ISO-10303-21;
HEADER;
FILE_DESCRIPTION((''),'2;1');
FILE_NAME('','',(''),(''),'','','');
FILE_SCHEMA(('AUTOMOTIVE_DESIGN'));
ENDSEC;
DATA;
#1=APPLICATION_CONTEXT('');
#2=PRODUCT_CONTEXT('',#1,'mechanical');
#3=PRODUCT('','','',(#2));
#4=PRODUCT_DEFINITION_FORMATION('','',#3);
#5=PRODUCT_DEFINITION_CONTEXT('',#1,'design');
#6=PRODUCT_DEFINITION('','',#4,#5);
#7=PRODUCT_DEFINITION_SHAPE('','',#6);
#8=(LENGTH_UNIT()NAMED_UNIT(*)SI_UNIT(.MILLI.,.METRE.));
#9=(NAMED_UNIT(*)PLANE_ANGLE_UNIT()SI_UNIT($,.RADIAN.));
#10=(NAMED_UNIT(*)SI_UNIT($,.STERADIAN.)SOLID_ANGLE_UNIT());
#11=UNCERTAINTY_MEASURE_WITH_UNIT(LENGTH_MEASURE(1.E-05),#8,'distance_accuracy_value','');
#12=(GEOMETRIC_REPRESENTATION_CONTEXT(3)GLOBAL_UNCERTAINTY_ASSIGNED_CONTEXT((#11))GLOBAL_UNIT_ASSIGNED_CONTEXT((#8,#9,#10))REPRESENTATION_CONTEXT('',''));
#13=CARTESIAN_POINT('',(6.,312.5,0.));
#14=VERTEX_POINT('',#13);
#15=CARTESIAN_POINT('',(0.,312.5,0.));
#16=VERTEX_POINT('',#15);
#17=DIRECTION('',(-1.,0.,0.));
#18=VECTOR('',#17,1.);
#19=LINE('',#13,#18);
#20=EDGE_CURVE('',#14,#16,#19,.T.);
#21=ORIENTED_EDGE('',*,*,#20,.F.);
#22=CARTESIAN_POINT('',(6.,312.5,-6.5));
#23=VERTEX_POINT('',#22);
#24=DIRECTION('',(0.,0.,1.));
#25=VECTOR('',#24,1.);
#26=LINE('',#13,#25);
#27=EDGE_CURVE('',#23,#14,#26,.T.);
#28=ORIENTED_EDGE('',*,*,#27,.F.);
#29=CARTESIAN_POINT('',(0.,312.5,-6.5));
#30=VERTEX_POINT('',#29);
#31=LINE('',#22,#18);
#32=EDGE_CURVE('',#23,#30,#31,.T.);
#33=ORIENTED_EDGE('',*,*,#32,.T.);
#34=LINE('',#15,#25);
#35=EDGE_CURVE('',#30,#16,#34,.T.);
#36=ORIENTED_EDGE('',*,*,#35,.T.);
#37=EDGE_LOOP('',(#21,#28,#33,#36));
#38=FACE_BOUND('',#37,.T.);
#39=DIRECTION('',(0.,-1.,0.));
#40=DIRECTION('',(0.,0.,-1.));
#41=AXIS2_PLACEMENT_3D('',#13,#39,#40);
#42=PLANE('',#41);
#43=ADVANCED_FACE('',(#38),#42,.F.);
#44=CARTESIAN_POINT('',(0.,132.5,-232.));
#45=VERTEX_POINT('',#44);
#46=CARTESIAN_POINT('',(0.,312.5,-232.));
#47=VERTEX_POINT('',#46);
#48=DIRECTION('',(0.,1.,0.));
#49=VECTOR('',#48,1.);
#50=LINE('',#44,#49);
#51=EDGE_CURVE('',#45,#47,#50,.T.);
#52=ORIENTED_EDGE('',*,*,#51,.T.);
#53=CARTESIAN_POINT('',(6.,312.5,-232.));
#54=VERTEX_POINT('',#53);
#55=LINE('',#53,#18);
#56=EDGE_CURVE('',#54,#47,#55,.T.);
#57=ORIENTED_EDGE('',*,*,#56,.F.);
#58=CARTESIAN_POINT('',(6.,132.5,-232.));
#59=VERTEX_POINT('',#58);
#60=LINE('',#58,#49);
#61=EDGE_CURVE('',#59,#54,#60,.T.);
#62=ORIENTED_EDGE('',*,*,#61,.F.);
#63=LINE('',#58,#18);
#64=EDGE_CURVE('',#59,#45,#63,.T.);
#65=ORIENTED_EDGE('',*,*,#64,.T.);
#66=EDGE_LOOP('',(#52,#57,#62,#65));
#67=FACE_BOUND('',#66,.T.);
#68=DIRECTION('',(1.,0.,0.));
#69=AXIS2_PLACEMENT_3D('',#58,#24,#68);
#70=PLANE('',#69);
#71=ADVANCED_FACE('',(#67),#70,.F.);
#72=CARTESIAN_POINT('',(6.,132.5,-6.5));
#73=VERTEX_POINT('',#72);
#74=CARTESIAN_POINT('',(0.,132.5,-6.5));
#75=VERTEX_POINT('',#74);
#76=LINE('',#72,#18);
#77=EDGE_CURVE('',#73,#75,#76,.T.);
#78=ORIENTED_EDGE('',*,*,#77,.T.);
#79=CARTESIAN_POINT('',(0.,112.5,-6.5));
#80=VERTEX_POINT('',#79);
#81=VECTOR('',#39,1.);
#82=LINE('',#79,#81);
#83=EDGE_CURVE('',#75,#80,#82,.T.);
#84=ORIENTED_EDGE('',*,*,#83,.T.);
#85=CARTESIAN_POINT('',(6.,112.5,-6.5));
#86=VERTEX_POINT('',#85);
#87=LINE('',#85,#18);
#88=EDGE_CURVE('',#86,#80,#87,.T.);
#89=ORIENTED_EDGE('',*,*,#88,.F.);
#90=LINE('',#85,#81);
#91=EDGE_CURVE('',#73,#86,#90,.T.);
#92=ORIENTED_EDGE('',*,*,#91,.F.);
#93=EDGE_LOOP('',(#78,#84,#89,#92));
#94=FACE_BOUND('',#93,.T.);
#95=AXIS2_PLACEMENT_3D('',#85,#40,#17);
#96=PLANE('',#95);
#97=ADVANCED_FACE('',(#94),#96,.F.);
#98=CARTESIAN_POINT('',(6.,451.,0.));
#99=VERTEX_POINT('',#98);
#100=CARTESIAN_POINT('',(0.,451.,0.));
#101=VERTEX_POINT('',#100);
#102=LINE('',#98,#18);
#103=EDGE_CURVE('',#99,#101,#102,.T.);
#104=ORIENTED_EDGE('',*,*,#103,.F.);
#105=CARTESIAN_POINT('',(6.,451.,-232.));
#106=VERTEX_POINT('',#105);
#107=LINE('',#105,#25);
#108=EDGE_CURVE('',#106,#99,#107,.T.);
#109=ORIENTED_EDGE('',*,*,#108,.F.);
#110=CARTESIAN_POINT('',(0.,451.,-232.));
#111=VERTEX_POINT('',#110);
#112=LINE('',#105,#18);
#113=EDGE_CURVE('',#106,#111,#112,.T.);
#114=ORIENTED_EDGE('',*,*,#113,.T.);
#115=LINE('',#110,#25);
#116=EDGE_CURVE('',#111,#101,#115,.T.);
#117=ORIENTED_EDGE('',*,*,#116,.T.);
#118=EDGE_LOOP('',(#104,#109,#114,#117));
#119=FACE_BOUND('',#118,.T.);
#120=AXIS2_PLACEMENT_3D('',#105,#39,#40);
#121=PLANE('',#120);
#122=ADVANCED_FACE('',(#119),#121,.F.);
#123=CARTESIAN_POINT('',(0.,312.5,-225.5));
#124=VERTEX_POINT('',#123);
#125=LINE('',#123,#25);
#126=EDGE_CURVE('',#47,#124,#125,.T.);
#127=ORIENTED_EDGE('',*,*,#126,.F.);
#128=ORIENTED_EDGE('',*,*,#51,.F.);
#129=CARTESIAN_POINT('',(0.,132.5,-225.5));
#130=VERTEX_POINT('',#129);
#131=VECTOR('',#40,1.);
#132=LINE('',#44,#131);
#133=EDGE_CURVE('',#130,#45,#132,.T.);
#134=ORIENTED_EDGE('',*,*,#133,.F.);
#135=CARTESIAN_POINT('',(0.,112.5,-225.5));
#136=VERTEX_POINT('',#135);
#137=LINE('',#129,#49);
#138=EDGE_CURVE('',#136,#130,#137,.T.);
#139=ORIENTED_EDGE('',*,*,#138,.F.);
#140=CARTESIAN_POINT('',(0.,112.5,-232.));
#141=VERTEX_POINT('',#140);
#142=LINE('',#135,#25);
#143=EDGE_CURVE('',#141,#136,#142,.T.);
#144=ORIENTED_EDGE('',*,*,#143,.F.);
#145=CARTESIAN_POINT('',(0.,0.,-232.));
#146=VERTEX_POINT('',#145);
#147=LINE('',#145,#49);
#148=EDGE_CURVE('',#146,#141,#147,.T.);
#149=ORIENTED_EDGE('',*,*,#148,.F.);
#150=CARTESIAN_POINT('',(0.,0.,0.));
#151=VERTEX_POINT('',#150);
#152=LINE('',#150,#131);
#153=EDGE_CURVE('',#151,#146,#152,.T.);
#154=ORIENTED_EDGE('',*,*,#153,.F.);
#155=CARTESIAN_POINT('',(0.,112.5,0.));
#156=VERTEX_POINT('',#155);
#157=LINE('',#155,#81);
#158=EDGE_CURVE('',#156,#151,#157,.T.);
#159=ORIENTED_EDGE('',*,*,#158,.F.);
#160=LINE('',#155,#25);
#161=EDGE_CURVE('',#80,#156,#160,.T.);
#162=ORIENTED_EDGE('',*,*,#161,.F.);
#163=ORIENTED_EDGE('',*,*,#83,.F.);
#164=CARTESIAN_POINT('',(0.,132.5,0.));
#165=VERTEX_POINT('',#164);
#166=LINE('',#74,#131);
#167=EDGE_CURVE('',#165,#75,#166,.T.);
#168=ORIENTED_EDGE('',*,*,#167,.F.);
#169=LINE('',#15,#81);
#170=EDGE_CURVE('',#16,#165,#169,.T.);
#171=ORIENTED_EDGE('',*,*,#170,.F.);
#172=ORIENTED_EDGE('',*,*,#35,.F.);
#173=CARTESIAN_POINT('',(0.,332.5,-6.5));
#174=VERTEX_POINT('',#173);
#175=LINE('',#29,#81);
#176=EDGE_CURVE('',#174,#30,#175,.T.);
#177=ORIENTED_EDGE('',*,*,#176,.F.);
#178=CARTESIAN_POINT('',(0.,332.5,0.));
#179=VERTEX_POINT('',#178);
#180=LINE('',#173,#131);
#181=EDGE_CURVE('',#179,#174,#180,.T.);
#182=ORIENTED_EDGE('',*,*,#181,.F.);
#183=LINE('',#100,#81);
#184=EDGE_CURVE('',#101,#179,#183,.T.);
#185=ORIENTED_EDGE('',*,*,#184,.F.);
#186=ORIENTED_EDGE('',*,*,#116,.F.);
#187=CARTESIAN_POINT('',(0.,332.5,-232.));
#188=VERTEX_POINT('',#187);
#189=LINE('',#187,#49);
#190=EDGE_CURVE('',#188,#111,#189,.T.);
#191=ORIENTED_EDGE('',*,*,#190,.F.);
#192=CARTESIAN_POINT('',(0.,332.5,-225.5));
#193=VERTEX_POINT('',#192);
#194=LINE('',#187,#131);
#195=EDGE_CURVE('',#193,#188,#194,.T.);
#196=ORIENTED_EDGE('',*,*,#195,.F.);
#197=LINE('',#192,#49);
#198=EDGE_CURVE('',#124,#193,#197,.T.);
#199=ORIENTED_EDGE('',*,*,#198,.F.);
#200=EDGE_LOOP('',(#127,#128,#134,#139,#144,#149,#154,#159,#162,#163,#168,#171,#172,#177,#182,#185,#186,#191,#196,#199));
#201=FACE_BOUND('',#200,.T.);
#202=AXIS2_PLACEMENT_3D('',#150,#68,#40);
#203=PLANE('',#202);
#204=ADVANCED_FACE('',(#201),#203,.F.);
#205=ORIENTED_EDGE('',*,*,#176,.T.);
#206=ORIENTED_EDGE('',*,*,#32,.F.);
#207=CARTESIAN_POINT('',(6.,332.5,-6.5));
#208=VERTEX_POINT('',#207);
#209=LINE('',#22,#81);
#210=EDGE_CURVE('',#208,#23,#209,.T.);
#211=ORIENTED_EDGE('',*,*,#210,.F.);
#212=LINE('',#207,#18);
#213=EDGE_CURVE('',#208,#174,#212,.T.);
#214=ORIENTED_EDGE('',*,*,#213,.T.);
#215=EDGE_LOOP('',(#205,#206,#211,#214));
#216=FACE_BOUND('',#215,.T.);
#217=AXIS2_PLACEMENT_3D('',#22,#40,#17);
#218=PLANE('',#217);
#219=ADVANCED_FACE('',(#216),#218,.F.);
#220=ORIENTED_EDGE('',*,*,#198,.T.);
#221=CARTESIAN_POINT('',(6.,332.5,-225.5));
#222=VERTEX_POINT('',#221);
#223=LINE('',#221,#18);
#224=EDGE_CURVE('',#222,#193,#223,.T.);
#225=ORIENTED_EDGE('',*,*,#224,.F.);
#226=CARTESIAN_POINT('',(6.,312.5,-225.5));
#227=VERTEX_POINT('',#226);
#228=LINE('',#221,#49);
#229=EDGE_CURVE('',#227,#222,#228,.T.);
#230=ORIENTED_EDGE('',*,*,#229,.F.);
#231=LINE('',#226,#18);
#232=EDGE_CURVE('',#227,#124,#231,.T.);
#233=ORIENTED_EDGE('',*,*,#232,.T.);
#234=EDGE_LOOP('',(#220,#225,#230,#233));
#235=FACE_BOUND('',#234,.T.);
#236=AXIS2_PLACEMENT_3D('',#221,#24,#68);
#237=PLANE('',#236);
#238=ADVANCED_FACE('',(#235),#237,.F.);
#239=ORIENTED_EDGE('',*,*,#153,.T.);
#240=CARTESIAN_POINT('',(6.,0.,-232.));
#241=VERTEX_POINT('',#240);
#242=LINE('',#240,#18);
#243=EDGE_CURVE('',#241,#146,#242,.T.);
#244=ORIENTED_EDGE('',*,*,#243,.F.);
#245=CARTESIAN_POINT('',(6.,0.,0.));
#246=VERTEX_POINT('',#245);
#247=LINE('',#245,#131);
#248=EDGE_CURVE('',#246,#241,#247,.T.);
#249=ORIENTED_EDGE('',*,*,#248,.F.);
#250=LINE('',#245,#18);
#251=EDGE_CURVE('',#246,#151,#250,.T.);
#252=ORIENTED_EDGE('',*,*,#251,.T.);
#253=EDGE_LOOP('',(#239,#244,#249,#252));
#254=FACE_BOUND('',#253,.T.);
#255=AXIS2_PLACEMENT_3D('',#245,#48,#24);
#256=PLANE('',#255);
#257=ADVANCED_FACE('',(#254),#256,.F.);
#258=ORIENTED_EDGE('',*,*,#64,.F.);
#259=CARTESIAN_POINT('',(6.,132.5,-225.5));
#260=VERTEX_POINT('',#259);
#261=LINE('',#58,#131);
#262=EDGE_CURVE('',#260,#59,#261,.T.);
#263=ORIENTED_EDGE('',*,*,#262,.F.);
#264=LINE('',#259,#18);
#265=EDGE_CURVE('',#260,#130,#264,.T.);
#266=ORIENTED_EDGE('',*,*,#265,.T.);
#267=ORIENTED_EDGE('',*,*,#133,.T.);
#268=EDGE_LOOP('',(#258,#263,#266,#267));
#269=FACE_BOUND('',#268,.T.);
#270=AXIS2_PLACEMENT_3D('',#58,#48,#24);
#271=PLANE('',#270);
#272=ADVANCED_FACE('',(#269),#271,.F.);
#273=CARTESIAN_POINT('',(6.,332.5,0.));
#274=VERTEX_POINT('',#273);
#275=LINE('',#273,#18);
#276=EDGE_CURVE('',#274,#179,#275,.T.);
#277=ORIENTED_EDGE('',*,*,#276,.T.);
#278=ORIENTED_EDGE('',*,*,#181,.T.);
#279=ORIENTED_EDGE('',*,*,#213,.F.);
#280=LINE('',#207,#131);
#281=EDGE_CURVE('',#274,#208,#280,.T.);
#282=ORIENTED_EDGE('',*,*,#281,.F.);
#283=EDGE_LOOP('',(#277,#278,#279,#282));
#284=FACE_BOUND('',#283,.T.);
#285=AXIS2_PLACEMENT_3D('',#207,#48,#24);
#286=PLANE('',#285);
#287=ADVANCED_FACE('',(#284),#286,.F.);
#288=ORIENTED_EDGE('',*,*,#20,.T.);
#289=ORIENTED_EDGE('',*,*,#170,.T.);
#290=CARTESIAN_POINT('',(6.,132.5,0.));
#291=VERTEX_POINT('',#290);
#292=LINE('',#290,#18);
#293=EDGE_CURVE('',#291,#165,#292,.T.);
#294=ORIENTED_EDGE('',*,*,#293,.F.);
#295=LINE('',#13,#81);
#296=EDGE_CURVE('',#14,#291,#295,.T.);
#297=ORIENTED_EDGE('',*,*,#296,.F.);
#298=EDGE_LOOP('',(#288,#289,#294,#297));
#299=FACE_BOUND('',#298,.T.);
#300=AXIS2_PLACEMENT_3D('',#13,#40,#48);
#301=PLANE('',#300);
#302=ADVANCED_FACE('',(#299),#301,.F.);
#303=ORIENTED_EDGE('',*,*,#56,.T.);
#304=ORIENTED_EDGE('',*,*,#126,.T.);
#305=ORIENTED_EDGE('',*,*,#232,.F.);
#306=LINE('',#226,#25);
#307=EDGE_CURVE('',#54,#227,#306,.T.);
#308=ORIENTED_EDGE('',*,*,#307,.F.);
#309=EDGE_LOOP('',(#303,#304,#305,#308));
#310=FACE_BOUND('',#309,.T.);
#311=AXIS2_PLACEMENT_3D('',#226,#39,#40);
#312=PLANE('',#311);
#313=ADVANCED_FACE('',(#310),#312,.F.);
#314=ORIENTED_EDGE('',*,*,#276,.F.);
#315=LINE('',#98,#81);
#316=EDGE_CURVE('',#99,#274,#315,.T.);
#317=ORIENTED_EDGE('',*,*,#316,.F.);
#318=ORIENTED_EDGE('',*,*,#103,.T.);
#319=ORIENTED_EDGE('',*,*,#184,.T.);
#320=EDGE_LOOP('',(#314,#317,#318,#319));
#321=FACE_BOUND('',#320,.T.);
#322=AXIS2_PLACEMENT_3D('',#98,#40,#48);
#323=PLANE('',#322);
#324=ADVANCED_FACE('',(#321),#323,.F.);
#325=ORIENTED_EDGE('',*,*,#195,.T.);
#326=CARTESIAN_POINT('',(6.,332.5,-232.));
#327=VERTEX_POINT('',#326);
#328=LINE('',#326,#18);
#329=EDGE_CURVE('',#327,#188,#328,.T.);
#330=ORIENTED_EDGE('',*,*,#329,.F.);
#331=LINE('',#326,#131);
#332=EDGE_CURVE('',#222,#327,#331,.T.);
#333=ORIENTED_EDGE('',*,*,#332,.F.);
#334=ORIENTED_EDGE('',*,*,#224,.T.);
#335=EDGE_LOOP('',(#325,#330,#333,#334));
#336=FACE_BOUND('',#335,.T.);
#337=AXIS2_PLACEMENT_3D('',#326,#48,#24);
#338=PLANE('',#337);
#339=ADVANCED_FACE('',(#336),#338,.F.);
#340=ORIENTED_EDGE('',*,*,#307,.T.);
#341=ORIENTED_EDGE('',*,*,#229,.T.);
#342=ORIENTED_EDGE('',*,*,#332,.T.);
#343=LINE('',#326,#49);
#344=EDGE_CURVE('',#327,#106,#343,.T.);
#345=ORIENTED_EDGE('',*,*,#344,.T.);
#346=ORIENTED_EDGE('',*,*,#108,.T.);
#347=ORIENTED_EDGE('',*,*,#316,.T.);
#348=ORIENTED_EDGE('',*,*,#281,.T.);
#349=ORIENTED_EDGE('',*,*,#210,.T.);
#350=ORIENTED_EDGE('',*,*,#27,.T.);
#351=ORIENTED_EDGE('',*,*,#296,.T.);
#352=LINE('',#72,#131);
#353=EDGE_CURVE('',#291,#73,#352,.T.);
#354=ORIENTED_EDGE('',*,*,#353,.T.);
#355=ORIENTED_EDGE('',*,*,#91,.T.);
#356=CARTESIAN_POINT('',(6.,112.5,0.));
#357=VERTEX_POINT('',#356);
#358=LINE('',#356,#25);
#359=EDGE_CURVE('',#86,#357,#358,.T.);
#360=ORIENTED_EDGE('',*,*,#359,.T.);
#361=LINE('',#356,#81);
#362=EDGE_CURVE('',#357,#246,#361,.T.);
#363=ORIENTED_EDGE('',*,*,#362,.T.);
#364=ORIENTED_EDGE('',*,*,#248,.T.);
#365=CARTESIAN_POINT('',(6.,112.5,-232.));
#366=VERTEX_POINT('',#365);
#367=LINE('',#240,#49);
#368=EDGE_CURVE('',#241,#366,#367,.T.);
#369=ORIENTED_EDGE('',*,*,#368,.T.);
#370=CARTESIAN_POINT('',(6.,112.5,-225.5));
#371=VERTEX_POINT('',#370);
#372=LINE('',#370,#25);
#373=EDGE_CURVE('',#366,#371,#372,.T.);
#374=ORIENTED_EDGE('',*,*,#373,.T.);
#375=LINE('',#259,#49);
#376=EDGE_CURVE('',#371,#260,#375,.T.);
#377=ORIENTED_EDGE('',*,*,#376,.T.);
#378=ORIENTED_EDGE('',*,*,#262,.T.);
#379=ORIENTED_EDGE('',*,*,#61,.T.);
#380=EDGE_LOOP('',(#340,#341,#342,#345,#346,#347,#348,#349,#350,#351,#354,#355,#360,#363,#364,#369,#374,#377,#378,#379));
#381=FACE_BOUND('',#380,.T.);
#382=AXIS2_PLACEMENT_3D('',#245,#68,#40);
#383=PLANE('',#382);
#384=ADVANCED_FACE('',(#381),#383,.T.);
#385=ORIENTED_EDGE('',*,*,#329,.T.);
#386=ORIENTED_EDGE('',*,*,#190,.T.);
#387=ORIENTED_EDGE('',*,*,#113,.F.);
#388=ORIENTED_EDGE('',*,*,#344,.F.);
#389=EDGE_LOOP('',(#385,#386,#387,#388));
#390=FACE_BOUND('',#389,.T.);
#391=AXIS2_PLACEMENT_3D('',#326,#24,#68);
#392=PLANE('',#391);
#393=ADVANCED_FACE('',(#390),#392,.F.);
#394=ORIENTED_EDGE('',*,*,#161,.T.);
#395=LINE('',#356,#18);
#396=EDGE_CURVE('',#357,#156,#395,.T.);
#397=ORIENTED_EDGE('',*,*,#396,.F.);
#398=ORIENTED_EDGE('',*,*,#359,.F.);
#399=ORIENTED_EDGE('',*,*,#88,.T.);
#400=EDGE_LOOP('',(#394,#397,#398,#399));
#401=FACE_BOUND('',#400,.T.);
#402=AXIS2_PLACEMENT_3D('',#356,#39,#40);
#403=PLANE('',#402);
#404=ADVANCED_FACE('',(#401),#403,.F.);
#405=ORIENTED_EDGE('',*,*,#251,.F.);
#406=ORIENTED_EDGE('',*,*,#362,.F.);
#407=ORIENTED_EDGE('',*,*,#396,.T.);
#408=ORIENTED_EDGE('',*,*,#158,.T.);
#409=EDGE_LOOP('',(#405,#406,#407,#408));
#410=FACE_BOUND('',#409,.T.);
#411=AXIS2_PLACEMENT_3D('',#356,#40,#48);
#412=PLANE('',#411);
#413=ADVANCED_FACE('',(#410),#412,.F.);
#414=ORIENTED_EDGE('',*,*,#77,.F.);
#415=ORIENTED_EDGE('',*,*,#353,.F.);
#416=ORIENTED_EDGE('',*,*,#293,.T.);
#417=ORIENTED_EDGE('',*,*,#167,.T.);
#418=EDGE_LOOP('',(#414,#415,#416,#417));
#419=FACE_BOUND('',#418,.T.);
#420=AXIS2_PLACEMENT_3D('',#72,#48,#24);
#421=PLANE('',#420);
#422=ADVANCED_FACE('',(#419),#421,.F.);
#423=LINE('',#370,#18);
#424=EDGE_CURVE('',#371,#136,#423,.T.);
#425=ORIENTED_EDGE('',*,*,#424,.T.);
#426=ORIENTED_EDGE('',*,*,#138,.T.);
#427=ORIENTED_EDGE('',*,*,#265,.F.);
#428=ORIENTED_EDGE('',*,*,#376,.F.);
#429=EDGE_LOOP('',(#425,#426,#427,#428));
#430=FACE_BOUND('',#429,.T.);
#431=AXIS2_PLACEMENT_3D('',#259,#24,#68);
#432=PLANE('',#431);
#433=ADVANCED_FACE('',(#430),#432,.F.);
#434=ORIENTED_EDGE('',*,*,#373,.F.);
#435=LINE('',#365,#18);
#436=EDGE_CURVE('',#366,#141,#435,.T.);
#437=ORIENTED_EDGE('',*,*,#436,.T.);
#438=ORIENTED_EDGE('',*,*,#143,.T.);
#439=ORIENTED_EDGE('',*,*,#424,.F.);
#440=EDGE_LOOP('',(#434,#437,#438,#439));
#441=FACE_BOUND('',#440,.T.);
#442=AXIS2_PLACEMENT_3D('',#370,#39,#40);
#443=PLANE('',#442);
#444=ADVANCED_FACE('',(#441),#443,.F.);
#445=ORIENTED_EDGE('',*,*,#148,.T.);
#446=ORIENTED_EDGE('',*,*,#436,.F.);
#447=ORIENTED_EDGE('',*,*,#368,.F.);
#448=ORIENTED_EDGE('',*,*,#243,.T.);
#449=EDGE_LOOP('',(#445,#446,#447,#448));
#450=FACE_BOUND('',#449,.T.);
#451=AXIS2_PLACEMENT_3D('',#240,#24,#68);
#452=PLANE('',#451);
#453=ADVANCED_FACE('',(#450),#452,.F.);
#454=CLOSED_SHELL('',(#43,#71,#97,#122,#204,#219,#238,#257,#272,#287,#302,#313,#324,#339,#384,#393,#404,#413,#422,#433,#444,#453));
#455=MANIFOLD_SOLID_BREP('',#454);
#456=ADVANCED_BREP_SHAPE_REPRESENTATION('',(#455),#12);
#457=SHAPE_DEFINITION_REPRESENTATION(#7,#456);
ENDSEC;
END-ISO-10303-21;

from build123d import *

# Parameters (mm, degrees)
BOSS_EXTRUDE1_DEPTH = 6


with BuildPart() as part:
    # Sketch1 → Boss-Extrude1 (new body)
    with BuildSketch(Plane(origin=(0, 0, 0), x_dir=(0, 0, -1), z_dir=(1, 0, 0))):
        Polygon((0, 0), (232, 0), (232, 112.5), (225.5, 112.5), (225.5, 132.5), (232, 132.5), (232, 312.5), (225.5, 312.5), (225.5, 332.5), (232, 332.5), (232, 451), (0, 451), (0, 332.5), (6.5, 332.5), (6.5, 312.5), (0, 312.5), (0, 132.5), (6.5, 132.5), (6.5, 112.5), (0, 112.5), align=None)
    extrude(amount=BOSS_EXTRUDE1_DEPTH)


solid = part.part
